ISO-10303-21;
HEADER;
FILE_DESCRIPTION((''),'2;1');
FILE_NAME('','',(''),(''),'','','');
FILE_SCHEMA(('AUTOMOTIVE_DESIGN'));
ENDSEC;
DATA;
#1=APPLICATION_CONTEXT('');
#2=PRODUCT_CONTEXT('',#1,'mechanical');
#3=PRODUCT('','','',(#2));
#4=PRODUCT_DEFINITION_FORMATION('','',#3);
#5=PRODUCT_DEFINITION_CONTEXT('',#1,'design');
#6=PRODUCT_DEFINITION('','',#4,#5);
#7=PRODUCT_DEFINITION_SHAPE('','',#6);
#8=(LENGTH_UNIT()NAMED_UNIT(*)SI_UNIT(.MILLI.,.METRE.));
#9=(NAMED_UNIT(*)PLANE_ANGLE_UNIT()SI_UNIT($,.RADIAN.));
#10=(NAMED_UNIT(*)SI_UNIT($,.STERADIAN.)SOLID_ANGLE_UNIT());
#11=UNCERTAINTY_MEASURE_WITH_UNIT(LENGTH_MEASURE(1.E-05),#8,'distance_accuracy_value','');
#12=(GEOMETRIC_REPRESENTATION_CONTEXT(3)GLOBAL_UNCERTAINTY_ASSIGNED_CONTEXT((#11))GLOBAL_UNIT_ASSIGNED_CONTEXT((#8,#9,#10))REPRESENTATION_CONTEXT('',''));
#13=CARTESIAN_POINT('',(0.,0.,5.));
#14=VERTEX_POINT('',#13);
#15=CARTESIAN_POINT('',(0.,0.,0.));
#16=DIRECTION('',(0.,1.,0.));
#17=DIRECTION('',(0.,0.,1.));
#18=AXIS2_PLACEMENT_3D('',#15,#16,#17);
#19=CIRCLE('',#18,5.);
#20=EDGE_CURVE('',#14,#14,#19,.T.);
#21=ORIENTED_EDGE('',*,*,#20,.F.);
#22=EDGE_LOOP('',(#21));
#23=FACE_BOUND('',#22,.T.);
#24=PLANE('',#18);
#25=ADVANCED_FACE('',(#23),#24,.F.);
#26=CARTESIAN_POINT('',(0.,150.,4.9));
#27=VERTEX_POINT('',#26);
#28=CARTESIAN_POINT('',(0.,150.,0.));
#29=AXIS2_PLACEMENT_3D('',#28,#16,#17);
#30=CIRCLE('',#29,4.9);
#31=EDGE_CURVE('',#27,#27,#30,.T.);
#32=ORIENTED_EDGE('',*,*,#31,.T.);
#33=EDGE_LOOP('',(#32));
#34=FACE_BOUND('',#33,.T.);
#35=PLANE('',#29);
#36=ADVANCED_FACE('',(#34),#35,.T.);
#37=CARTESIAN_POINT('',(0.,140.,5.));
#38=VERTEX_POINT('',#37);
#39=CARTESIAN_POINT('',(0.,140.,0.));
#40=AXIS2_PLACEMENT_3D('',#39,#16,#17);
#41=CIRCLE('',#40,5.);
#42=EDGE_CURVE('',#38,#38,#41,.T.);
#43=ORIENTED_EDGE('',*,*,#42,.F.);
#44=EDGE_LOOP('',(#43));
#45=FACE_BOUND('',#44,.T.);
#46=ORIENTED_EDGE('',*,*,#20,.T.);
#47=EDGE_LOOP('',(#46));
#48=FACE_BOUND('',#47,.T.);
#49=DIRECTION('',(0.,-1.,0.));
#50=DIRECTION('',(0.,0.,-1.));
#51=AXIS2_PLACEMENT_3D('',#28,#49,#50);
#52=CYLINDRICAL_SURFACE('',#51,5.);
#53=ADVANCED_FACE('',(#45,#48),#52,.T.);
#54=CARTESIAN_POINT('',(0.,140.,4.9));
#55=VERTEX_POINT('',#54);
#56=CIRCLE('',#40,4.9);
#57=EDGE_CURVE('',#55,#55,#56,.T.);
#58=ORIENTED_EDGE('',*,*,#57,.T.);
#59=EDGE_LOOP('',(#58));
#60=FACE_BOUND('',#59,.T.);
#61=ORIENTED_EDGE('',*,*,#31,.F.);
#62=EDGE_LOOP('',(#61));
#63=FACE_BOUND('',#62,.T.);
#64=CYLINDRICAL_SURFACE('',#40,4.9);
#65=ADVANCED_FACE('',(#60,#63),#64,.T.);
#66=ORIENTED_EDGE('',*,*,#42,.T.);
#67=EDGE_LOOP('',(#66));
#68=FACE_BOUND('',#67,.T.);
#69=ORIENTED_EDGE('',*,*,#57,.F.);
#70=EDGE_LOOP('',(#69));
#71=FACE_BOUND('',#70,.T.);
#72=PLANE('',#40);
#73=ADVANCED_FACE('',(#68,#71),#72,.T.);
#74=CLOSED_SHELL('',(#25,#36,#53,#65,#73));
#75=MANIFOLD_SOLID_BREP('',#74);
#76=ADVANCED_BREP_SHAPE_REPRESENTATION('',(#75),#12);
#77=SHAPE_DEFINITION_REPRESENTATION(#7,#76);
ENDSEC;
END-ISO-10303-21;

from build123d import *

# Parameters (mm, degrees)
SKETCH1_R           = 5
BOSS_EXTRUDE1_DEPTH = 150
SKETCH2_R           = 5
SKETCH2_R_2         = 4.9
CUT_EXTRUDE1_DEPTH  = 10


with BuildPart() as part:
    # Sketch1 → Boss-Extrude1 (new body)
    with BuildSketch(Plane(origin=(0, 0, 0), x_dir=(1, 0, 0), z_dir=(0, 1, 0))):
        Circle(SKETCH1_R)
    extrude(amount=BOSS_EXTRUDE1_DEPTH)

    # Sketch2 → Cut-Extrude1 (cut)
    with BuildSketch(Plane(origin=(0, 150, 0), x_dir=(1, 0, 0), z_dir=(0, 1, 0))):
        Circle(SKETCH2_R)
        Circle(SKETCH2_R_2, mode=Mode.SUBTRACT)
    extrude(amount=-CUT_EXTRUDE1_DEPTH, mode=Mode.SUBTRACT)


solid = part.part
